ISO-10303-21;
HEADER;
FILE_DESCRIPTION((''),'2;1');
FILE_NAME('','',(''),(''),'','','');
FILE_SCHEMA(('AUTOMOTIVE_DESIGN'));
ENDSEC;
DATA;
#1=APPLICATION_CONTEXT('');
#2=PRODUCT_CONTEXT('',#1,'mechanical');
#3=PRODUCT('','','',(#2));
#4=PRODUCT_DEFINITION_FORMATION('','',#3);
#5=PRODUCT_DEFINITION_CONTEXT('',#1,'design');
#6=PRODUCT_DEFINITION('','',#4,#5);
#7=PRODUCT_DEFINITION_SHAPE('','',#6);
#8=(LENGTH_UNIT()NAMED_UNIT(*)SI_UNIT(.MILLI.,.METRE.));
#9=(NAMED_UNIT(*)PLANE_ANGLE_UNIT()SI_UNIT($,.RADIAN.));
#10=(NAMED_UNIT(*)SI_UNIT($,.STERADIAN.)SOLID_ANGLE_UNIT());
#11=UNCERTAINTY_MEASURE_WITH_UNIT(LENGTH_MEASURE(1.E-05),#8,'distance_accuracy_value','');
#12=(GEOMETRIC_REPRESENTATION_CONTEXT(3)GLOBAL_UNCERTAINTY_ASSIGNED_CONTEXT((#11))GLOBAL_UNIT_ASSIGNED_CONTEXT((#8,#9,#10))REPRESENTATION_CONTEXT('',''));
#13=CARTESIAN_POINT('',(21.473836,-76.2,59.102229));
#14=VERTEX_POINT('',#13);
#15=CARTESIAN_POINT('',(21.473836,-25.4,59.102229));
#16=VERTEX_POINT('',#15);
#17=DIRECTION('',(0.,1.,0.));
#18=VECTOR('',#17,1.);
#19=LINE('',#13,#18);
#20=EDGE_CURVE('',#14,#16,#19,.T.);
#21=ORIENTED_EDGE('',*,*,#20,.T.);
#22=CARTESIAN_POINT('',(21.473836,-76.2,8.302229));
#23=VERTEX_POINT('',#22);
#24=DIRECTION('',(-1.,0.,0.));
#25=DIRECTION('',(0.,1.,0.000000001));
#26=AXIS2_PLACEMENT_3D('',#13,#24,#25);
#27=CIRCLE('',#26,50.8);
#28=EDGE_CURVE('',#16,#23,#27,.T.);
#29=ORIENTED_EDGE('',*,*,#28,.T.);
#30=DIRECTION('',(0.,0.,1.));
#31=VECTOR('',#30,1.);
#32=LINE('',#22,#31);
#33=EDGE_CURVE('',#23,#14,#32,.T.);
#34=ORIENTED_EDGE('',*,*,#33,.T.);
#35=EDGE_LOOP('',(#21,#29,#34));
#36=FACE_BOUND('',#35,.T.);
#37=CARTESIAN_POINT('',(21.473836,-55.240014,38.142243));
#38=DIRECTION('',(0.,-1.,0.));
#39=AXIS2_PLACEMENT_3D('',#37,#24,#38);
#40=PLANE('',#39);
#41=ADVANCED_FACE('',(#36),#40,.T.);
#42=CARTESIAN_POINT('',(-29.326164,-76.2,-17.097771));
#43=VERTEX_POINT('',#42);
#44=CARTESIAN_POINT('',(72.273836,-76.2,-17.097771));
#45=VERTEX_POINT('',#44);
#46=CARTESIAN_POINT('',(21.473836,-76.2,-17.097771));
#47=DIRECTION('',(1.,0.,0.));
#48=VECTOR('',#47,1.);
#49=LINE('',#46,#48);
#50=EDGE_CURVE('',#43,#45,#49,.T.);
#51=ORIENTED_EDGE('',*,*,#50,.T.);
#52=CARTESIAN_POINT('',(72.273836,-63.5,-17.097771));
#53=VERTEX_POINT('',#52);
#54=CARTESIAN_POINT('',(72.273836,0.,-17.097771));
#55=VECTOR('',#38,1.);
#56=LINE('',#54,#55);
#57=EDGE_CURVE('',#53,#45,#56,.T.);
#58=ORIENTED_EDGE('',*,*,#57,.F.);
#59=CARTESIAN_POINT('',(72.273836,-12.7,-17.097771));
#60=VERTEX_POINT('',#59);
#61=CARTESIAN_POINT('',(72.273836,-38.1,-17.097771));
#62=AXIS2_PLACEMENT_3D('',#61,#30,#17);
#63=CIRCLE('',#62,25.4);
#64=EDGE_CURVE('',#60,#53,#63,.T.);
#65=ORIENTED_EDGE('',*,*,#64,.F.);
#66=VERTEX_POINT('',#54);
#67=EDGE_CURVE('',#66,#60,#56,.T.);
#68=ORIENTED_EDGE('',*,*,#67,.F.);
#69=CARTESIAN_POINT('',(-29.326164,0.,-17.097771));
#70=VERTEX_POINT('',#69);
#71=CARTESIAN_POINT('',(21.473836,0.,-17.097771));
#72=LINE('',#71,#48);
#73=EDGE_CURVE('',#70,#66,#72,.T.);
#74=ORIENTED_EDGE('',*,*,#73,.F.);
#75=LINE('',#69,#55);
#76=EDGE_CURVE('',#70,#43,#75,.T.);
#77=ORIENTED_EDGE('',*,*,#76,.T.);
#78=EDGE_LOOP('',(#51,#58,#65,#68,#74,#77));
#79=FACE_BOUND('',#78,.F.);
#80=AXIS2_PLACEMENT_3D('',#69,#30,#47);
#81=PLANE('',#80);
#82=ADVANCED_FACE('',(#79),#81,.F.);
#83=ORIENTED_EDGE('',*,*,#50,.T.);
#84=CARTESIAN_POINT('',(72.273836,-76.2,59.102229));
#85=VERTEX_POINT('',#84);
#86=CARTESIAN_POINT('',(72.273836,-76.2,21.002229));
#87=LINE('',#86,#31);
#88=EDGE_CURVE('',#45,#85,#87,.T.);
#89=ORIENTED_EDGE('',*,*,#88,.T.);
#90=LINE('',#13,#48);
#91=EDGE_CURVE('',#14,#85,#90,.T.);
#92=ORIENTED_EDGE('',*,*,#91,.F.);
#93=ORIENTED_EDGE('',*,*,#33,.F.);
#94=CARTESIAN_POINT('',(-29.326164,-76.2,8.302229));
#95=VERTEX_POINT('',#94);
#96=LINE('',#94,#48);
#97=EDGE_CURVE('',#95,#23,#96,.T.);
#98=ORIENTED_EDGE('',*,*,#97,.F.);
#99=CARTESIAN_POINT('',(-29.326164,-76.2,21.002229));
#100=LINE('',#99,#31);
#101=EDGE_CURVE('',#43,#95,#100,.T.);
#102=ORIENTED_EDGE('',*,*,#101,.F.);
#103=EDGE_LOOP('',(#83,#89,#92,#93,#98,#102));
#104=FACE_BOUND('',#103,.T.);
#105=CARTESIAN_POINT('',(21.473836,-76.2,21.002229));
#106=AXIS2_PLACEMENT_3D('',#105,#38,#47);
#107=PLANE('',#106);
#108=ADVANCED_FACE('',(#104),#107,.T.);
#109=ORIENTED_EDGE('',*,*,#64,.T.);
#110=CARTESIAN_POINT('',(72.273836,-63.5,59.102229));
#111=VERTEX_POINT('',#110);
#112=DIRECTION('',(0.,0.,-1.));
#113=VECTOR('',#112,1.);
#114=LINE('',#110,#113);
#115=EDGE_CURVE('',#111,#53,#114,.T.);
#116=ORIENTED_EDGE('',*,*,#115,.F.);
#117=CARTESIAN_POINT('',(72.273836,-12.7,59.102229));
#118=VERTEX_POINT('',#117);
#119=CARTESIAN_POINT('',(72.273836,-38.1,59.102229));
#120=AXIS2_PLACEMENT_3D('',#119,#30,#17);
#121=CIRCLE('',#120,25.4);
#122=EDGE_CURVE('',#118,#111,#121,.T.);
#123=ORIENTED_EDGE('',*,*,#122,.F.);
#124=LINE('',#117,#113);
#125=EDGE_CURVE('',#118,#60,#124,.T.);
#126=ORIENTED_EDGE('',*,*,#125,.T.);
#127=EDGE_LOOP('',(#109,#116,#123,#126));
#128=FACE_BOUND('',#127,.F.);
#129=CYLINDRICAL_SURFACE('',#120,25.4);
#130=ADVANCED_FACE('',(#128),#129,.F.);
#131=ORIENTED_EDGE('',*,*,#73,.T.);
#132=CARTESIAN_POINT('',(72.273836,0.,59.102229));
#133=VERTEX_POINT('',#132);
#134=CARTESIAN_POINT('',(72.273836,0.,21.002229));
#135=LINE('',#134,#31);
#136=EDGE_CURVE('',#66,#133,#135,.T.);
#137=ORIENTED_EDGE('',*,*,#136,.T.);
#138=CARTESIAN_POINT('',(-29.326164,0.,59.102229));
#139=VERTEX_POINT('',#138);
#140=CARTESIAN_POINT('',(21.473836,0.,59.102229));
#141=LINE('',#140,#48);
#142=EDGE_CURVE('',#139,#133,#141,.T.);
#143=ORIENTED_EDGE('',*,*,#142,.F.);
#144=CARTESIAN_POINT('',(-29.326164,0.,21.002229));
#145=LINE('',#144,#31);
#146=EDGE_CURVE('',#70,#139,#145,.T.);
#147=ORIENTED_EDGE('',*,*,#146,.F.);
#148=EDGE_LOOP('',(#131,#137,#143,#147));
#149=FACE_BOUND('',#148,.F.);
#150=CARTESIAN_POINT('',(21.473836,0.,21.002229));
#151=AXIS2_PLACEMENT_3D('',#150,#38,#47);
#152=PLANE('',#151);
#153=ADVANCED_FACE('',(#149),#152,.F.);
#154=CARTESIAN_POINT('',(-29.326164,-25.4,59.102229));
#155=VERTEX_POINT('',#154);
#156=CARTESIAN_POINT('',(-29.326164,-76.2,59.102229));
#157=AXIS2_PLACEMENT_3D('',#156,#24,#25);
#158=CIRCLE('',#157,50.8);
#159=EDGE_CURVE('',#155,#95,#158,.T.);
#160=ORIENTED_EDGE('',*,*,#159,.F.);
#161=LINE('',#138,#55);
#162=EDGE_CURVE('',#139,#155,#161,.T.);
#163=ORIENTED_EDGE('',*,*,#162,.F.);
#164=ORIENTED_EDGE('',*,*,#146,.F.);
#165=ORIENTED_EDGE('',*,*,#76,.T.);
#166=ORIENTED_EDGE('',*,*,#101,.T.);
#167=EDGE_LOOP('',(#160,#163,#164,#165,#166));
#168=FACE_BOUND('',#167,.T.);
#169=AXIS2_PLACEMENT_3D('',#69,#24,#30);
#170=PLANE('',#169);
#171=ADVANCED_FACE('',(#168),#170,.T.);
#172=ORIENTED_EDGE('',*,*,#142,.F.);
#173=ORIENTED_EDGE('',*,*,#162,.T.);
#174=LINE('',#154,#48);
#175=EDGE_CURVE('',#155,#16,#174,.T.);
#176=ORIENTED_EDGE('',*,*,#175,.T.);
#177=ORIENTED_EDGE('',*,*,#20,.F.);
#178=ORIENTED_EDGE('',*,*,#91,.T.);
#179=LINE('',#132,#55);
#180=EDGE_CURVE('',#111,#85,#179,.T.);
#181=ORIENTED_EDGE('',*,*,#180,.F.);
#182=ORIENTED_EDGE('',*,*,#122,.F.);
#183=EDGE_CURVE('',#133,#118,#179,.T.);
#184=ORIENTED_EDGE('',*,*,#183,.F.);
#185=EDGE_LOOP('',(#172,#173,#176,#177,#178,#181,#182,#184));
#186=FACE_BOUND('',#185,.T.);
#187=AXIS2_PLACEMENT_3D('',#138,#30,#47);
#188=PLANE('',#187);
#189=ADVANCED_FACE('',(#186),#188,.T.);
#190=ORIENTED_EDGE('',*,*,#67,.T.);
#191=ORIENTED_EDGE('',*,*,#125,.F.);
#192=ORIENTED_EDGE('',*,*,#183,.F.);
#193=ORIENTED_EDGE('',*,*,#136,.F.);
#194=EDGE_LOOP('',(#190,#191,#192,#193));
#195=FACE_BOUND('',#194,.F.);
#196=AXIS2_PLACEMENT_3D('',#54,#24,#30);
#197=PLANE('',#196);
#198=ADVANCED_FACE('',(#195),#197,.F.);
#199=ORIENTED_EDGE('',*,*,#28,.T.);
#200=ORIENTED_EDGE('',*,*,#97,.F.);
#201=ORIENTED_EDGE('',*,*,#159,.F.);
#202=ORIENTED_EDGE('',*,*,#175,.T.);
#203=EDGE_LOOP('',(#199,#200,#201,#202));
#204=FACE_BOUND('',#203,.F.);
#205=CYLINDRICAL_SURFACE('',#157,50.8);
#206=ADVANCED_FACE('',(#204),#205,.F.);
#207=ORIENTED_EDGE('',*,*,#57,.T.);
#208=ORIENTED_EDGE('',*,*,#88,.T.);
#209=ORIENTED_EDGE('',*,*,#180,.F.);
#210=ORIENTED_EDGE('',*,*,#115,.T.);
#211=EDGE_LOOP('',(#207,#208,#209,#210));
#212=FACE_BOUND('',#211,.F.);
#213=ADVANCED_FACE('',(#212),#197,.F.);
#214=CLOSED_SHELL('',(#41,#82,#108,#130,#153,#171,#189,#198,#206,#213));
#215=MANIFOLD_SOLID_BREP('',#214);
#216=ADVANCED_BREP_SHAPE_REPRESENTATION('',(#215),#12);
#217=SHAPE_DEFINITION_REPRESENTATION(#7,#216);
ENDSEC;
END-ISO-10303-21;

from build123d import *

# Parameters (mm, degrees)
F0_W     = 101.6
F0_H     = 76.2
F1_DEPTH = 76.2
F3_DEPTH = 76.201
F5_DEPTH = 50.8


with BuildPart() as f1:
    # F0 (on Front) → F1 (new body)
    with BuildSketch(Plane.XZ):
        with Locations((21.473836, 21.002229)):
            Rectangle(F0_W, F0_H)
    extrude(amount=F1_DEPTH)

    # F2 (on face) → F3 (cut, through all)
    with BuildSketch(Plane.XY.offset(59.102229)):
        with BuildLine():
            Line((72.273836, -63.5), (72.273836, -12.7))
            ThreePointArc((72.273836, -12.7), (46.873836, -38.1), (72.273836, -63.5))
        make_face()
    extrude(amount=-F3_DEPTH, mode=Mode.SUBTRACT)

    # F4 (on face) → F5 (cut)
    with BuildSketch(Plane(origin=(-29.326164, 0, 0), x_dir=(0, -1, 0), z_dir=(-1, 0, 0))):
        with BuildLine():
            Line((76.2, 59.102229), (25.4, 59.102229))
            ThreePointArc((25.4, 59.102229), (40.278976, 23.181204), (76.2, 8.302229))
            Line((76.2, 8.302229), (76.2, 59.102229))
        make_face()
    extrude(amount=-F5_DEPTH, mode=Mode.SUBTRACT)


solid = f1.part
